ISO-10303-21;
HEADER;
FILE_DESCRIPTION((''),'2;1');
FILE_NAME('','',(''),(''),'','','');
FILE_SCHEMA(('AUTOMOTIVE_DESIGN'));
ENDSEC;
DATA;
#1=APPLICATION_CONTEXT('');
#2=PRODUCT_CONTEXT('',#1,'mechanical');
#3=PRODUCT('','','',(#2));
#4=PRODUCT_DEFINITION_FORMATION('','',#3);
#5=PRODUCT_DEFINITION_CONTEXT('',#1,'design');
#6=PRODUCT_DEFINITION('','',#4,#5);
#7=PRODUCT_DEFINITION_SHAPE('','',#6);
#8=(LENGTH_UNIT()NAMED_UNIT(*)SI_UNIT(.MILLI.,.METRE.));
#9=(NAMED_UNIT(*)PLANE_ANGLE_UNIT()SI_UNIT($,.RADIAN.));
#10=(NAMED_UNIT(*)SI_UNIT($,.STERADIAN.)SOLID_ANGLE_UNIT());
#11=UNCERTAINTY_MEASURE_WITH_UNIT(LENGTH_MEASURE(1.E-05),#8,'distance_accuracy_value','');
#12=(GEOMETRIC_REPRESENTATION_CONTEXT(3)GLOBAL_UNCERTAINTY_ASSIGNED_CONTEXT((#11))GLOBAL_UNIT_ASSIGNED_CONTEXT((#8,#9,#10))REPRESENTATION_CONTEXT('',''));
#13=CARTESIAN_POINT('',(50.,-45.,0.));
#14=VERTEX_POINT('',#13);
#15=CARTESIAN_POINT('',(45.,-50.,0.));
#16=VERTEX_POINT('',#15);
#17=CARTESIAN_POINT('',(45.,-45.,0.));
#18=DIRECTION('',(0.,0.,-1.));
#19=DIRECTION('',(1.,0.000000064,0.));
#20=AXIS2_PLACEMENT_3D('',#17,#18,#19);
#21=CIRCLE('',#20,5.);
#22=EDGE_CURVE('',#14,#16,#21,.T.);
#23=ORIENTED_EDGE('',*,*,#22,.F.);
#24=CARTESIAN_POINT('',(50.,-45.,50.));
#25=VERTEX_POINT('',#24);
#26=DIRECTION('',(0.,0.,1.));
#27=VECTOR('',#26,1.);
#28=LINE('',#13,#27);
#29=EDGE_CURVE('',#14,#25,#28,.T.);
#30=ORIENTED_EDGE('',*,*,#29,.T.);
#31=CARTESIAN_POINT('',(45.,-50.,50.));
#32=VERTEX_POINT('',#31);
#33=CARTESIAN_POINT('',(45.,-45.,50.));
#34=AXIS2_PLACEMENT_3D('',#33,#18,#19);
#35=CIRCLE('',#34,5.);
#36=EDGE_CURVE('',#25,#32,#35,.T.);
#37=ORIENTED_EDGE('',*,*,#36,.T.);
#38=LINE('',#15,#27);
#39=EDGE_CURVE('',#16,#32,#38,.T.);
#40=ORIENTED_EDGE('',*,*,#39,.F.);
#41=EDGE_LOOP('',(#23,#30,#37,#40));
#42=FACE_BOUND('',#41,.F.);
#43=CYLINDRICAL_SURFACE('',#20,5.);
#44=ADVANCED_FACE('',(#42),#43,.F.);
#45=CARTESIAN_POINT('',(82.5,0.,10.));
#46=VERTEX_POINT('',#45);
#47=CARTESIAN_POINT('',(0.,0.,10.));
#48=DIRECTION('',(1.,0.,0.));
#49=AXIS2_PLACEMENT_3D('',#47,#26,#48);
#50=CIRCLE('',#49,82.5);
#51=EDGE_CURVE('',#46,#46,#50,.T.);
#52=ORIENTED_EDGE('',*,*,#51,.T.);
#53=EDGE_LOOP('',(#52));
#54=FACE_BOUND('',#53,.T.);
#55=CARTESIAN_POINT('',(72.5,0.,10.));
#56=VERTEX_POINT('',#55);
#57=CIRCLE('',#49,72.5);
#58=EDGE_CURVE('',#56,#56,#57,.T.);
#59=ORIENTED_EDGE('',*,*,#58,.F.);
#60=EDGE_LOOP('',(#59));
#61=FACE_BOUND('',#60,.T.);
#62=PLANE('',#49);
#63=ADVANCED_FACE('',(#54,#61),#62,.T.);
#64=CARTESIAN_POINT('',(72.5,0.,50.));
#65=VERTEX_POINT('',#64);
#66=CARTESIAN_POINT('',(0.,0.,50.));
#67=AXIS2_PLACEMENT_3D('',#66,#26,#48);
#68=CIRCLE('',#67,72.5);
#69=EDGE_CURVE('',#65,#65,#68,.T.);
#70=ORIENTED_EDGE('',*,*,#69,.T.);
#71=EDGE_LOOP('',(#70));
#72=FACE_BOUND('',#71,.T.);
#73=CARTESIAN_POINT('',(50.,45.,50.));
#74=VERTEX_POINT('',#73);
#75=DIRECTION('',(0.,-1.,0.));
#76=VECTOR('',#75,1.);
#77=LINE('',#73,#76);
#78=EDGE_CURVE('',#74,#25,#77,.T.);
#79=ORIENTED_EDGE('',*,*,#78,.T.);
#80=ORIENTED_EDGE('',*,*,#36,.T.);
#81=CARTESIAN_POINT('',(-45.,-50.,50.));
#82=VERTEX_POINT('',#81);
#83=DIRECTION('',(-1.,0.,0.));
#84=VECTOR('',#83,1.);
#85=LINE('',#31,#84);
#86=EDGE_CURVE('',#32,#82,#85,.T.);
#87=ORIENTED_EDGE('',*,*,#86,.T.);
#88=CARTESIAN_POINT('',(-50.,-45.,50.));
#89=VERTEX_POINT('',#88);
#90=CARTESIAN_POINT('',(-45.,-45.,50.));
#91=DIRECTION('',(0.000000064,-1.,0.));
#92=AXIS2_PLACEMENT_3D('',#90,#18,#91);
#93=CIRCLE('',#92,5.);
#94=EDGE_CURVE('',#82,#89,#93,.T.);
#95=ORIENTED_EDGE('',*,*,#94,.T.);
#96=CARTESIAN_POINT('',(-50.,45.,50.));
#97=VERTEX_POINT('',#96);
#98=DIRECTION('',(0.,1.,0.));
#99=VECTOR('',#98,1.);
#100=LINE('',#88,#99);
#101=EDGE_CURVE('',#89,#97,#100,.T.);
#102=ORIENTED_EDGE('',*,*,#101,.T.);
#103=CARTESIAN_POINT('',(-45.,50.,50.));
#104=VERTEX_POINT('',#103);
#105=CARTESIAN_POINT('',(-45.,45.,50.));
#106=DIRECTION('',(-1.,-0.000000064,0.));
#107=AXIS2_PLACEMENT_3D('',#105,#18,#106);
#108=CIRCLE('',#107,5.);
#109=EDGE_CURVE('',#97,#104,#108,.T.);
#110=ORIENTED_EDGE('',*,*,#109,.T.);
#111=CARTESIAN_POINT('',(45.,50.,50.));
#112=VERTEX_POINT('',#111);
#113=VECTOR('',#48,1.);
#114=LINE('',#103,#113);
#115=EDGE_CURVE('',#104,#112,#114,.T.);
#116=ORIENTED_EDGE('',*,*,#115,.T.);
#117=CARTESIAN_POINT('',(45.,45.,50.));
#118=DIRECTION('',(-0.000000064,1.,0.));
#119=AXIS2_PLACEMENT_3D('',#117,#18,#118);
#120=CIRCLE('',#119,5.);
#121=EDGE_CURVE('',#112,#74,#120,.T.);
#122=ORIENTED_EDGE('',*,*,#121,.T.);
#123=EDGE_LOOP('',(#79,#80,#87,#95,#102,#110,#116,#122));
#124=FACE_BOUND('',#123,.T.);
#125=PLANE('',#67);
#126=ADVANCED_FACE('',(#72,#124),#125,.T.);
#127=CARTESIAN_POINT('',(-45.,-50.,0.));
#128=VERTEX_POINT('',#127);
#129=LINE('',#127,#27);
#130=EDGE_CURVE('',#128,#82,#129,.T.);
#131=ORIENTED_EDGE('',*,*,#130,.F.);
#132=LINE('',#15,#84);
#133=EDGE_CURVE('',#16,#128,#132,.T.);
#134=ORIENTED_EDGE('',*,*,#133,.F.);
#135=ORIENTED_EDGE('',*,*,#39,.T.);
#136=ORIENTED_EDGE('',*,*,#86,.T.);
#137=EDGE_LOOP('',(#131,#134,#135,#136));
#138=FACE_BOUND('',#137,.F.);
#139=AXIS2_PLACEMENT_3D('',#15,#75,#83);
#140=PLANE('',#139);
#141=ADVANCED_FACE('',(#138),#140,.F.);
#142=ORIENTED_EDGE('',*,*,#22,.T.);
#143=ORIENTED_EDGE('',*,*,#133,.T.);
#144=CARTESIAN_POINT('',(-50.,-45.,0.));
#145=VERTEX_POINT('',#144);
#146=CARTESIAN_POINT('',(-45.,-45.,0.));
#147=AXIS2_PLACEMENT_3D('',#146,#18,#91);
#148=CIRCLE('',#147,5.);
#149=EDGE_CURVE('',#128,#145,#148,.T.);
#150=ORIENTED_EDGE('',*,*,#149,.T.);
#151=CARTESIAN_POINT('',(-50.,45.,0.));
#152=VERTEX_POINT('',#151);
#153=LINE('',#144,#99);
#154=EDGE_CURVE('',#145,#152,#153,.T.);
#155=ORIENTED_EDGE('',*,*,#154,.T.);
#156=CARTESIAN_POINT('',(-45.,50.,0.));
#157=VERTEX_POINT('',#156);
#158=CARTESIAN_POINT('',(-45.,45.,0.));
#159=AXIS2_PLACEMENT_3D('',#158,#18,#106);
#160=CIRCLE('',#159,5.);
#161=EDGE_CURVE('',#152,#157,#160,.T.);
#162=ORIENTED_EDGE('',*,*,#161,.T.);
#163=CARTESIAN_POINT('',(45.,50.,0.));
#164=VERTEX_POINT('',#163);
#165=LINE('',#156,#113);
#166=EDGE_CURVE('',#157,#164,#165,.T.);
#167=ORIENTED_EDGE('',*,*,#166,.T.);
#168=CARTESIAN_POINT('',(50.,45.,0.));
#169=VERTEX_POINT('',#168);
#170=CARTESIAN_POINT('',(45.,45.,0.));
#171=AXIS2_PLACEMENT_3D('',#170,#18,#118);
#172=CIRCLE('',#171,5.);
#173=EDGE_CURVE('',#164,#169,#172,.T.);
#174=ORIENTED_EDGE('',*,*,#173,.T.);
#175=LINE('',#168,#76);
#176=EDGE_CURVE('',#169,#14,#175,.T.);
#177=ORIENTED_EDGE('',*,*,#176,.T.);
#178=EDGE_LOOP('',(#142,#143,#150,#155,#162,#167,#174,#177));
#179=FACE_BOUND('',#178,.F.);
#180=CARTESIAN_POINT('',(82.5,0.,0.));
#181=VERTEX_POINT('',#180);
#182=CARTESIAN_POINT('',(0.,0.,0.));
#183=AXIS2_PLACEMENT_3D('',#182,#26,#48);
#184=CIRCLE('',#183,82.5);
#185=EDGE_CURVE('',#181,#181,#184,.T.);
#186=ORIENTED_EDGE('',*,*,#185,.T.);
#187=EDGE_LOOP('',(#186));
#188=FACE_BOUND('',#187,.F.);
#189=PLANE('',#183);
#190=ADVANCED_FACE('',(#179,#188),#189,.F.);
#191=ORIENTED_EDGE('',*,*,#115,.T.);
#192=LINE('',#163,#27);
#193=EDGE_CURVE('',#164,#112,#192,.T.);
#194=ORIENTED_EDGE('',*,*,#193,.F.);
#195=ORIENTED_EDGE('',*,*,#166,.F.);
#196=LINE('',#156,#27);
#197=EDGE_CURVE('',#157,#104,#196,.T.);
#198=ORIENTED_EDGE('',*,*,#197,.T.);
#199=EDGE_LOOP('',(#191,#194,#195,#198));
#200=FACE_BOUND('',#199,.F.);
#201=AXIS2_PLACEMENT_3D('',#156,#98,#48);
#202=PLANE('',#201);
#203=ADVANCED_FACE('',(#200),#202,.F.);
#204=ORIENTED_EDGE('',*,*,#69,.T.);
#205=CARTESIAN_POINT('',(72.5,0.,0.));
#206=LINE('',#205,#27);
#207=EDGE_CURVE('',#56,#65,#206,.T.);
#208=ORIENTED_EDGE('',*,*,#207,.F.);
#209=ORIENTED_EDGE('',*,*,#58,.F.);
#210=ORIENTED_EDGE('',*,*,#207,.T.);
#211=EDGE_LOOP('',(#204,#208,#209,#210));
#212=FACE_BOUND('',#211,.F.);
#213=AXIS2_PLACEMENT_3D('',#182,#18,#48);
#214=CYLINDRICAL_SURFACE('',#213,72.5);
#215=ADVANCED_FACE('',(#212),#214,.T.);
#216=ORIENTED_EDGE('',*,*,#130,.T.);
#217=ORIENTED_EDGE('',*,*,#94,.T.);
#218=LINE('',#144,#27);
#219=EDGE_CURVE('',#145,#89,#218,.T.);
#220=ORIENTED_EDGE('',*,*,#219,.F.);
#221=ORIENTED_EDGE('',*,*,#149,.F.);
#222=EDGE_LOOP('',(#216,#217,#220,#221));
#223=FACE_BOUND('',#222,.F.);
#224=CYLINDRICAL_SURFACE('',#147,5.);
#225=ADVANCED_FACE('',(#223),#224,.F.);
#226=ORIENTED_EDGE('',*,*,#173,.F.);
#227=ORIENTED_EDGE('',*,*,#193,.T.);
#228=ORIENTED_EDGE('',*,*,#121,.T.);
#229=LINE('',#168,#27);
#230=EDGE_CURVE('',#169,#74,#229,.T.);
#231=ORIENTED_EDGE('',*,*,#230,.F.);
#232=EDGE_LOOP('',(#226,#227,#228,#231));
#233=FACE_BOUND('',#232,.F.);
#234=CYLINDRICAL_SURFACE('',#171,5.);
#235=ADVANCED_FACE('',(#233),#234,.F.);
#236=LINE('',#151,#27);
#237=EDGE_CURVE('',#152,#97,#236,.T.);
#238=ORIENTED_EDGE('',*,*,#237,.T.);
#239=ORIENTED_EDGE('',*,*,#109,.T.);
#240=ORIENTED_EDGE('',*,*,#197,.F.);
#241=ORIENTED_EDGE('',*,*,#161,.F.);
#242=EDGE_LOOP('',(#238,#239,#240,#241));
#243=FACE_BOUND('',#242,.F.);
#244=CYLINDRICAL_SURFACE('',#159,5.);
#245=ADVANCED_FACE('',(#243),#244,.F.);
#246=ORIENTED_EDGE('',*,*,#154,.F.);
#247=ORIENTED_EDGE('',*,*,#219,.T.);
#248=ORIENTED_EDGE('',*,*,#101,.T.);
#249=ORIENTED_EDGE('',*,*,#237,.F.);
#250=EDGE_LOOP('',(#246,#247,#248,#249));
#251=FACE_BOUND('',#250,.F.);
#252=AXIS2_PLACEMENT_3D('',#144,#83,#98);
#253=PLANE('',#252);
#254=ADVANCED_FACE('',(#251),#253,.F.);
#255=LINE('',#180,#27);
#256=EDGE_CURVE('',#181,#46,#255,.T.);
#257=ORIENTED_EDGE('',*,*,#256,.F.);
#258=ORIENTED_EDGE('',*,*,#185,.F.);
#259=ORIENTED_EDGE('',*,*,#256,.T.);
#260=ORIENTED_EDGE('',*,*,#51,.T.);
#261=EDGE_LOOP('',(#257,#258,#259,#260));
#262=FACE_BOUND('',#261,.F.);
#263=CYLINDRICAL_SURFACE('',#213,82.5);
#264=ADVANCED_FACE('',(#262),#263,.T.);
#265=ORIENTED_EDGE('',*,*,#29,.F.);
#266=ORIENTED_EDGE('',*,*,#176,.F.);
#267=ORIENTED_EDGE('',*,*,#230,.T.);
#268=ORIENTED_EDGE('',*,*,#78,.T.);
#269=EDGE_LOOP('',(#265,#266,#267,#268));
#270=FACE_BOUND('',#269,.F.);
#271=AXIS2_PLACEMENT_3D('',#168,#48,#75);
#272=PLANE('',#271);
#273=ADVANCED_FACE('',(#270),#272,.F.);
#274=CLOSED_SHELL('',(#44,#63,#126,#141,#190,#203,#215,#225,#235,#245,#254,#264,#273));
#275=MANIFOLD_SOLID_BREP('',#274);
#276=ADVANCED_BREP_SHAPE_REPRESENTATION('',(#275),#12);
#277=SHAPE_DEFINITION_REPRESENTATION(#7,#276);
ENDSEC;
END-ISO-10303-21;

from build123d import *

# Parameters (mm, degrees)
F0_R     = 72.5
F1_DEPTH = 50
F0_R_2   = 82.5
F2_DEPTH = 10


with BuildPart() as f1:
    # F0 (on Top) → F1 (new body)
    with BuildSketch(Plane.XY):
        Circle(F0_R)
        with BuildLine():
            ThreePointArc((50, -45), (48.535534, -48.535534), (45, -50))
            Line((45, -50), (-45, -50))
            ThreePointArc((-45, -50), (-48.535534, -48.535534), (-50, -45))
            Line((-50, -45), (-50, 45))
            ThreePointArc((-50, 45), (-48.535534, 48.535534), (-45, 50))
            Line((-45, 50), (45, 50))
            ThreePointArc((45, 50), (48.535534, 48.535534), (50, 45))
            Line((50, 45), (50, -45))
        make_face(mode=Mode.SUBTRACT)
    extrude(amount=F1_DEPTH)

    # F0 (on Top) → F2 (join)
    with BuildSketch(Plane.XY):
        Circle(F0_R_2)
        Circle(F0_R, mode=Mode.SUBTRACT)
    extrude(amount=F2_DEPTH)


solid = f1.part
